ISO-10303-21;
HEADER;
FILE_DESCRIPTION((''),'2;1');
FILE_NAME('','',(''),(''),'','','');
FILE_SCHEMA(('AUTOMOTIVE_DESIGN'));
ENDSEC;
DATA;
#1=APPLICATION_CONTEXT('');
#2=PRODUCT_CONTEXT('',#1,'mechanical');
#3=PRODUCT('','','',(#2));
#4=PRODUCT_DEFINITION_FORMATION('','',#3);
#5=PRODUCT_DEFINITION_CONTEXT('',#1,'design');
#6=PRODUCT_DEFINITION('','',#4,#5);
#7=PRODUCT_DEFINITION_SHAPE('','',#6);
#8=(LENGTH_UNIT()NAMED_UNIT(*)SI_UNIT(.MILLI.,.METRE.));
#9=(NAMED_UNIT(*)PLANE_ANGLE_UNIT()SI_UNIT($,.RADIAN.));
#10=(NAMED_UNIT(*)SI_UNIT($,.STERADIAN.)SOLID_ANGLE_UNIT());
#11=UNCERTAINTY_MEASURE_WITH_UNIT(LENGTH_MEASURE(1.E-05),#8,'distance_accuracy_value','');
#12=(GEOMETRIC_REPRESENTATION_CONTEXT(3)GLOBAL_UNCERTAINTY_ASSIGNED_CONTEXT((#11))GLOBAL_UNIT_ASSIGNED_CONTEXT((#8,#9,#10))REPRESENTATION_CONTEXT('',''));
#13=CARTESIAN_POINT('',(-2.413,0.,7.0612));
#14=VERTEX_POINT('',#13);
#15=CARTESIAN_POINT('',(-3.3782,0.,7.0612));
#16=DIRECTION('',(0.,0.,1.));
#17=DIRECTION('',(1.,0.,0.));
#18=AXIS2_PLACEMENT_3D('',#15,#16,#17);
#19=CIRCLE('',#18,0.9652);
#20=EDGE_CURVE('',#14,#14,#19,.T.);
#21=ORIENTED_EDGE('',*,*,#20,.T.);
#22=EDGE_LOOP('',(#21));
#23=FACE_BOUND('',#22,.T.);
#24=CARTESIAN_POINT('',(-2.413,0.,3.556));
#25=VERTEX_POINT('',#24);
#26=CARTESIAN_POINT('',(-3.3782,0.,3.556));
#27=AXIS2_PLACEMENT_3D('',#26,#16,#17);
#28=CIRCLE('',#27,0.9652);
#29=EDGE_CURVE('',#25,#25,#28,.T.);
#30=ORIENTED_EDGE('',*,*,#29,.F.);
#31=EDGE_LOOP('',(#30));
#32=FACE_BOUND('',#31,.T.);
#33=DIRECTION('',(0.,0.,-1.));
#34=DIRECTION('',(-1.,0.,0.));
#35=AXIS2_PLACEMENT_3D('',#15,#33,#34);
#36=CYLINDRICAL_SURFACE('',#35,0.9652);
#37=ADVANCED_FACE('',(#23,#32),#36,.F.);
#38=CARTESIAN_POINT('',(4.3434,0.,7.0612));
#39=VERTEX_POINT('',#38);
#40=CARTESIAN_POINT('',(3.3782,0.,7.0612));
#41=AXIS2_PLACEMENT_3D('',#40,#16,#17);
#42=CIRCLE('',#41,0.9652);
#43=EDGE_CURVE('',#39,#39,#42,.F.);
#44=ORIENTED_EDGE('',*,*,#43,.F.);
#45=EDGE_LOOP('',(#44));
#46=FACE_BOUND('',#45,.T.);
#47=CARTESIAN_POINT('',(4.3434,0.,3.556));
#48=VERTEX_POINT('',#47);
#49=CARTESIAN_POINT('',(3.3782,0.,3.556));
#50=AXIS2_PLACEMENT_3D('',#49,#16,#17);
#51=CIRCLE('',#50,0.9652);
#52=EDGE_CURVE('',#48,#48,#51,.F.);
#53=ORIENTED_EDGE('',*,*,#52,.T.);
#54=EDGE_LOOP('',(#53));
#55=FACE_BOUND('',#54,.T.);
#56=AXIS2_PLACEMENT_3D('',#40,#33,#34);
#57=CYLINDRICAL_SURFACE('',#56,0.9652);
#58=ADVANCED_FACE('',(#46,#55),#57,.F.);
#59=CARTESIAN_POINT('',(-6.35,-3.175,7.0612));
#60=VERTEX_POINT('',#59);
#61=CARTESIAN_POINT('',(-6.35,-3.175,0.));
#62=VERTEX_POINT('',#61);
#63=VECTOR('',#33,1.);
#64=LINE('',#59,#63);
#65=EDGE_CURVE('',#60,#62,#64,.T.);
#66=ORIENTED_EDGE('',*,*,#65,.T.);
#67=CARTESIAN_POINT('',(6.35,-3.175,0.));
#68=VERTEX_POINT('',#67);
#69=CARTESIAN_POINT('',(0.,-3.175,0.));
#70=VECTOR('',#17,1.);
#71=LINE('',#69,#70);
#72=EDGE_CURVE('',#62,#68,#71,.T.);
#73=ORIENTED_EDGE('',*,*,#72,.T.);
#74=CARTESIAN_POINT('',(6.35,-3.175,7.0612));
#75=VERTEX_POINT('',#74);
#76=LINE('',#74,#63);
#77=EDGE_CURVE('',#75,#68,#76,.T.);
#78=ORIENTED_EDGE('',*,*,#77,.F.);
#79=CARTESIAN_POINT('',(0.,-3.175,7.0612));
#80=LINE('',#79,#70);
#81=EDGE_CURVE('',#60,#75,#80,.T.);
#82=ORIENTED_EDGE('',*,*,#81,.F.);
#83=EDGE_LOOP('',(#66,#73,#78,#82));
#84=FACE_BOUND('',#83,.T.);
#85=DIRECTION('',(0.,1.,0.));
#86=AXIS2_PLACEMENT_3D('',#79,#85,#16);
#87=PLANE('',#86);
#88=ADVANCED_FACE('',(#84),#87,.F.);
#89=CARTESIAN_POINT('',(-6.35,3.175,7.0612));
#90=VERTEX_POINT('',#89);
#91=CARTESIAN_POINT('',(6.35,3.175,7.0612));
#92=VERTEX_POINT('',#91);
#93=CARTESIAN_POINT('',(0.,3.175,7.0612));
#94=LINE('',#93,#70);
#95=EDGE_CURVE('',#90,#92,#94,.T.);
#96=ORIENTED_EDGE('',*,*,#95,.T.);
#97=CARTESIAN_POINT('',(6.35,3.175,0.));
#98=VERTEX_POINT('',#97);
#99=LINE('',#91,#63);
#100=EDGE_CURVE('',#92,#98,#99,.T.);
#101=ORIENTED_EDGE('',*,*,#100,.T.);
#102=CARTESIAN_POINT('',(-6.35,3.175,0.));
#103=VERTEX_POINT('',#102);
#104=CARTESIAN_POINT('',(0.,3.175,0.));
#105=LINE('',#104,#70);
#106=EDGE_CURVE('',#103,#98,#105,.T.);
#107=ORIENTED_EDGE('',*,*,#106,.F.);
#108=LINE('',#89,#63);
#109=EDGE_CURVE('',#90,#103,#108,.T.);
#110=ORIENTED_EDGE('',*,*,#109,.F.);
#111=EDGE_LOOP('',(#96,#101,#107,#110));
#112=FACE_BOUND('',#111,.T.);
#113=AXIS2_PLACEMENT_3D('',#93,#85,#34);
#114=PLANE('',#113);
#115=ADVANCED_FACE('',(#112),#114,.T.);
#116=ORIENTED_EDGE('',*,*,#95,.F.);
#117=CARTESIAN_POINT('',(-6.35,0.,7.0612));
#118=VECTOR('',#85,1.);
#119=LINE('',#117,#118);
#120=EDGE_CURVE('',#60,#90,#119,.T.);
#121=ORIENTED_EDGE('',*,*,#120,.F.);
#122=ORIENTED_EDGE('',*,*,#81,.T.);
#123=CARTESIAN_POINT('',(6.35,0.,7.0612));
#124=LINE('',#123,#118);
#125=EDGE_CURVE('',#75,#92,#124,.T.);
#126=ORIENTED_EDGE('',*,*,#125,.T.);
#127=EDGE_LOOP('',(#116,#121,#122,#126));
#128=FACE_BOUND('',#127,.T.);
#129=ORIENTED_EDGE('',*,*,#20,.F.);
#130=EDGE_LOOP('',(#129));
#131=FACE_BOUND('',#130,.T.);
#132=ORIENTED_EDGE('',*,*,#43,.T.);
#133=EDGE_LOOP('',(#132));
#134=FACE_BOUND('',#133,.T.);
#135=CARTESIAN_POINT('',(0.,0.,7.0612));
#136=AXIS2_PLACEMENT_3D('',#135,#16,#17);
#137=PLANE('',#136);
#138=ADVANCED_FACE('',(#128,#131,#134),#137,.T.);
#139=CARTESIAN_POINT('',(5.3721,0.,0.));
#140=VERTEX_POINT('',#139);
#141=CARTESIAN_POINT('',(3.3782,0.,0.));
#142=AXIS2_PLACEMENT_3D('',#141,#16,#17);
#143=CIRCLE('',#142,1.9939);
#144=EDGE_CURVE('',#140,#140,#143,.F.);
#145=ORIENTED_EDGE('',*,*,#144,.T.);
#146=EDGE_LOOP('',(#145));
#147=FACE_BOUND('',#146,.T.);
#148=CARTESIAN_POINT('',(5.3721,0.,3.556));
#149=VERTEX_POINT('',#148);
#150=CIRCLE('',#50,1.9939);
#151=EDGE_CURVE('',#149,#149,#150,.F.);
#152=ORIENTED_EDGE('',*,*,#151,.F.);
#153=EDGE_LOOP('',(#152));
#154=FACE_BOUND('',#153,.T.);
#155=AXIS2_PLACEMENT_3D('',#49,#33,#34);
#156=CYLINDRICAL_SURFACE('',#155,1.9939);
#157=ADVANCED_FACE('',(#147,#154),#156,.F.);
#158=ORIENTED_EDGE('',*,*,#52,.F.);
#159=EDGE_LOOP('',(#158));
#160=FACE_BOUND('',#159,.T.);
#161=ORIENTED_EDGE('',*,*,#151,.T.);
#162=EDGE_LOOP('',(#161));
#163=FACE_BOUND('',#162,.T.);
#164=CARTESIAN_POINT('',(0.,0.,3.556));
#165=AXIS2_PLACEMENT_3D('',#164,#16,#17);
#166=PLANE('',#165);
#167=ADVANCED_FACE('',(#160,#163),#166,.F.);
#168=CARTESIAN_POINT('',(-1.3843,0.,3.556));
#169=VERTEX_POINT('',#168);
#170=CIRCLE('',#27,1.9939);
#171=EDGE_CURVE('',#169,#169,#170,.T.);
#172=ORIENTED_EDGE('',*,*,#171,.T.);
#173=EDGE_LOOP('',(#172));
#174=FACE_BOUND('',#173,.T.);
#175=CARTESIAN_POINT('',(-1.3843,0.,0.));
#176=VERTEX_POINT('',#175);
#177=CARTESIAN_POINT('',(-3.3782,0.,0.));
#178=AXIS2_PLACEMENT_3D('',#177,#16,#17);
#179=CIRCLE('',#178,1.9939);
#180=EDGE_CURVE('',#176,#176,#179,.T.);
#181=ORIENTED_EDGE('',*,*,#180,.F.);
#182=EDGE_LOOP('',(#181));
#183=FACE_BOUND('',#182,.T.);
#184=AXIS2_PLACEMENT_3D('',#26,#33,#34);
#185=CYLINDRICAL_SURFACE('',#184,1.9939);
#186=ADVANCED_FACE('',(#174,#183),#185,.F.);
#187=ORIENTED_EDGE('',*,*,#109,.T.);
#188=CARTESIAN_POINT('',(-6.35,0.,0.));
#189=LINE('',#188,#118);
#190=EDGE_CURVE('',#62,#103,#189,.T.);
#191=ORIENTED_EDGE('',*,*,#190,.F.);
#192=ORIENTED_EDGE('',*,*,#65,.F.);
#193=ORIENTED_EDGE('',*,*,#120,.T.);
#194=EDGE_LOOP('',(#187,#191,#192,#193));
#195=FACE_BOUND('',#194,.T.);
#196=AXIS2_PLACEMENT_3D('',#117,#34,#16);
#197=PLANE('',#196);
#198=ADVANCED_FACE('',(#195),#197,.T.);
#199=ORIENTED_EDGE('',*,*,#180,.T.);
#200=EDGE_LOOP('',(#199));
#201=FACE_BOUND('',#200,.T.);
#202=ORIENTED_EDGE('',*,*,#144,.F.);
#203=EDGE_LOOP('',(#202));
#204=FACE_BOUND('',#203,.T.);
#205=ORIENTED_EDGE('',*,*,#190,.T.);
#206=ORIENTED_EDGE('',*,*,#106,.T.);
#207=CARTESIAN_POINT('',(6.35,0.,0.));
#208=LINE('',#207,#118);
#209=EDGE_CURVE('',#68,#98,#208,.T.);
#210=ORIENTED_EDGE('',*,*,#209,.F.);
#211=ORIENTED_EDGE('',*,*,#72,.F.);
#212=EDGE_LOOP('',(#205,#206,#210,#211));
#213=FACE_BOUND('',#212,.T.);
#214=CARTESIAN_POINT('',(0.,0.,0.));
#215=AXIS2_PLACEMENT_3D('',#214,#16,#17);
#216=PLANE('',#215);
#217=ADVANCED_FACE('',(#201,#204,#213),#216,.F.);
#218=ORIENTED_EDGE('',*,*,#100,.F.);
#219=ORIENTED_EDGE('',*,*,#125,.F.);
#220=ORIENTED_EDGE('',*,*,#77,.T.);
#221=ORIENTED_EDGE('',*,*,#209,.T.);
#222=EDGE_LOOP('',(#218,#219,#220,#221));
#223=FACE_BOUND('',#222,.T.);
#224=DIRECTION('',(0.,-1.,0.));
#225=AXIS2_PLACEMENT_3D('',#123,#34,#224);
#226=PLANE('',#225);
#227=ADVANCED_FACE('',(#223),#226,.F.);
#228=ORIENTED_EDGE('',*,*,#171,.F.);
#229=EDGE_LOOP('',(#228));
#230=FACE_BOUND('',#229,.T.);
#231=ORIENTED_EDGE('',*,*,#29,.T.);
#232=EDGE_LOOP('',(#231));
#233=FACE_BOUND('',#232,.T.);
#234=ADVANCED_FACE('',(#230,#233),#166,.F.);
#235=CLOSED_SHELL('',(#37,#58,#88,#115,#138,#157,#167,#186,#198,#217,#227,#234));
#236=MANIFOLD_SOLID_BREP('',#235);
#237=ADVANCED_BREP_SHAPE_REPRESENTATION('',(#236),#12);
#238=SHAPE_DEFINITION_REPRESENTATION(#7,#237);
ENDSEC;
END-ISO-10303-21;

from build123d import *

# Parameters (mm, degrees)
SKETCH1_W           = 12.7
SKETCH1_H           = 6.35
SKETCH1_R           = 0.9652
BOSS_EXTRUDE1_DEPTH = 7.0612
SKETCH1_3_R         = 1.9939
SKETCH1_3_R_2       = 0.9652
CUT_EXTRUDE1_DEPTH  = 3.556


with BuildPart() as part:
    # Sketch1 → Boss-Extrude1 (new body)
    with BuildSketch(Plane.XY):
        Rectangle(SKETCH1_W, SKETCH1_H)
        with Locations((-3.3782, 0)):
            Circle(SKETCH1_R, mode=Mode.SUBTRACT)
        with Locations((3.3782, 0)):
            Circle(SKETCH1_R, mode=Mode.SUBTRACT)
    extrude(amount=BOSS_EXTRUDE1_DEPTH)

    # Sketch1<3> → Cut-Extrude1 (cut)
    # profile 1 of 2: a face of its own
    with BuildSketch(Plane.XY):
        with Locations((-3.3782, 0)):
            Circle(SKETCH1_3_R)
        with Locations((-3.3782, 0)):
            Circle(SKETCH1_3_R_2, mode=Mode.SUBTRACT)
    # profile 2 of 2: a face of its own
    with BuildSketch(Plane.XY):
        with Locations((3.3782, 0)):
            Circle(SKETCH1_3_R)
        with Locations((3.3782, 0)):
            Circle(SKETCH1_3_R_2, mode=Mode.SUBTRACT)
    extrude(amount=CUT_EXTRUDE1_DEPTH, mode=Mode.SUBTRACT)


solid = part.part
